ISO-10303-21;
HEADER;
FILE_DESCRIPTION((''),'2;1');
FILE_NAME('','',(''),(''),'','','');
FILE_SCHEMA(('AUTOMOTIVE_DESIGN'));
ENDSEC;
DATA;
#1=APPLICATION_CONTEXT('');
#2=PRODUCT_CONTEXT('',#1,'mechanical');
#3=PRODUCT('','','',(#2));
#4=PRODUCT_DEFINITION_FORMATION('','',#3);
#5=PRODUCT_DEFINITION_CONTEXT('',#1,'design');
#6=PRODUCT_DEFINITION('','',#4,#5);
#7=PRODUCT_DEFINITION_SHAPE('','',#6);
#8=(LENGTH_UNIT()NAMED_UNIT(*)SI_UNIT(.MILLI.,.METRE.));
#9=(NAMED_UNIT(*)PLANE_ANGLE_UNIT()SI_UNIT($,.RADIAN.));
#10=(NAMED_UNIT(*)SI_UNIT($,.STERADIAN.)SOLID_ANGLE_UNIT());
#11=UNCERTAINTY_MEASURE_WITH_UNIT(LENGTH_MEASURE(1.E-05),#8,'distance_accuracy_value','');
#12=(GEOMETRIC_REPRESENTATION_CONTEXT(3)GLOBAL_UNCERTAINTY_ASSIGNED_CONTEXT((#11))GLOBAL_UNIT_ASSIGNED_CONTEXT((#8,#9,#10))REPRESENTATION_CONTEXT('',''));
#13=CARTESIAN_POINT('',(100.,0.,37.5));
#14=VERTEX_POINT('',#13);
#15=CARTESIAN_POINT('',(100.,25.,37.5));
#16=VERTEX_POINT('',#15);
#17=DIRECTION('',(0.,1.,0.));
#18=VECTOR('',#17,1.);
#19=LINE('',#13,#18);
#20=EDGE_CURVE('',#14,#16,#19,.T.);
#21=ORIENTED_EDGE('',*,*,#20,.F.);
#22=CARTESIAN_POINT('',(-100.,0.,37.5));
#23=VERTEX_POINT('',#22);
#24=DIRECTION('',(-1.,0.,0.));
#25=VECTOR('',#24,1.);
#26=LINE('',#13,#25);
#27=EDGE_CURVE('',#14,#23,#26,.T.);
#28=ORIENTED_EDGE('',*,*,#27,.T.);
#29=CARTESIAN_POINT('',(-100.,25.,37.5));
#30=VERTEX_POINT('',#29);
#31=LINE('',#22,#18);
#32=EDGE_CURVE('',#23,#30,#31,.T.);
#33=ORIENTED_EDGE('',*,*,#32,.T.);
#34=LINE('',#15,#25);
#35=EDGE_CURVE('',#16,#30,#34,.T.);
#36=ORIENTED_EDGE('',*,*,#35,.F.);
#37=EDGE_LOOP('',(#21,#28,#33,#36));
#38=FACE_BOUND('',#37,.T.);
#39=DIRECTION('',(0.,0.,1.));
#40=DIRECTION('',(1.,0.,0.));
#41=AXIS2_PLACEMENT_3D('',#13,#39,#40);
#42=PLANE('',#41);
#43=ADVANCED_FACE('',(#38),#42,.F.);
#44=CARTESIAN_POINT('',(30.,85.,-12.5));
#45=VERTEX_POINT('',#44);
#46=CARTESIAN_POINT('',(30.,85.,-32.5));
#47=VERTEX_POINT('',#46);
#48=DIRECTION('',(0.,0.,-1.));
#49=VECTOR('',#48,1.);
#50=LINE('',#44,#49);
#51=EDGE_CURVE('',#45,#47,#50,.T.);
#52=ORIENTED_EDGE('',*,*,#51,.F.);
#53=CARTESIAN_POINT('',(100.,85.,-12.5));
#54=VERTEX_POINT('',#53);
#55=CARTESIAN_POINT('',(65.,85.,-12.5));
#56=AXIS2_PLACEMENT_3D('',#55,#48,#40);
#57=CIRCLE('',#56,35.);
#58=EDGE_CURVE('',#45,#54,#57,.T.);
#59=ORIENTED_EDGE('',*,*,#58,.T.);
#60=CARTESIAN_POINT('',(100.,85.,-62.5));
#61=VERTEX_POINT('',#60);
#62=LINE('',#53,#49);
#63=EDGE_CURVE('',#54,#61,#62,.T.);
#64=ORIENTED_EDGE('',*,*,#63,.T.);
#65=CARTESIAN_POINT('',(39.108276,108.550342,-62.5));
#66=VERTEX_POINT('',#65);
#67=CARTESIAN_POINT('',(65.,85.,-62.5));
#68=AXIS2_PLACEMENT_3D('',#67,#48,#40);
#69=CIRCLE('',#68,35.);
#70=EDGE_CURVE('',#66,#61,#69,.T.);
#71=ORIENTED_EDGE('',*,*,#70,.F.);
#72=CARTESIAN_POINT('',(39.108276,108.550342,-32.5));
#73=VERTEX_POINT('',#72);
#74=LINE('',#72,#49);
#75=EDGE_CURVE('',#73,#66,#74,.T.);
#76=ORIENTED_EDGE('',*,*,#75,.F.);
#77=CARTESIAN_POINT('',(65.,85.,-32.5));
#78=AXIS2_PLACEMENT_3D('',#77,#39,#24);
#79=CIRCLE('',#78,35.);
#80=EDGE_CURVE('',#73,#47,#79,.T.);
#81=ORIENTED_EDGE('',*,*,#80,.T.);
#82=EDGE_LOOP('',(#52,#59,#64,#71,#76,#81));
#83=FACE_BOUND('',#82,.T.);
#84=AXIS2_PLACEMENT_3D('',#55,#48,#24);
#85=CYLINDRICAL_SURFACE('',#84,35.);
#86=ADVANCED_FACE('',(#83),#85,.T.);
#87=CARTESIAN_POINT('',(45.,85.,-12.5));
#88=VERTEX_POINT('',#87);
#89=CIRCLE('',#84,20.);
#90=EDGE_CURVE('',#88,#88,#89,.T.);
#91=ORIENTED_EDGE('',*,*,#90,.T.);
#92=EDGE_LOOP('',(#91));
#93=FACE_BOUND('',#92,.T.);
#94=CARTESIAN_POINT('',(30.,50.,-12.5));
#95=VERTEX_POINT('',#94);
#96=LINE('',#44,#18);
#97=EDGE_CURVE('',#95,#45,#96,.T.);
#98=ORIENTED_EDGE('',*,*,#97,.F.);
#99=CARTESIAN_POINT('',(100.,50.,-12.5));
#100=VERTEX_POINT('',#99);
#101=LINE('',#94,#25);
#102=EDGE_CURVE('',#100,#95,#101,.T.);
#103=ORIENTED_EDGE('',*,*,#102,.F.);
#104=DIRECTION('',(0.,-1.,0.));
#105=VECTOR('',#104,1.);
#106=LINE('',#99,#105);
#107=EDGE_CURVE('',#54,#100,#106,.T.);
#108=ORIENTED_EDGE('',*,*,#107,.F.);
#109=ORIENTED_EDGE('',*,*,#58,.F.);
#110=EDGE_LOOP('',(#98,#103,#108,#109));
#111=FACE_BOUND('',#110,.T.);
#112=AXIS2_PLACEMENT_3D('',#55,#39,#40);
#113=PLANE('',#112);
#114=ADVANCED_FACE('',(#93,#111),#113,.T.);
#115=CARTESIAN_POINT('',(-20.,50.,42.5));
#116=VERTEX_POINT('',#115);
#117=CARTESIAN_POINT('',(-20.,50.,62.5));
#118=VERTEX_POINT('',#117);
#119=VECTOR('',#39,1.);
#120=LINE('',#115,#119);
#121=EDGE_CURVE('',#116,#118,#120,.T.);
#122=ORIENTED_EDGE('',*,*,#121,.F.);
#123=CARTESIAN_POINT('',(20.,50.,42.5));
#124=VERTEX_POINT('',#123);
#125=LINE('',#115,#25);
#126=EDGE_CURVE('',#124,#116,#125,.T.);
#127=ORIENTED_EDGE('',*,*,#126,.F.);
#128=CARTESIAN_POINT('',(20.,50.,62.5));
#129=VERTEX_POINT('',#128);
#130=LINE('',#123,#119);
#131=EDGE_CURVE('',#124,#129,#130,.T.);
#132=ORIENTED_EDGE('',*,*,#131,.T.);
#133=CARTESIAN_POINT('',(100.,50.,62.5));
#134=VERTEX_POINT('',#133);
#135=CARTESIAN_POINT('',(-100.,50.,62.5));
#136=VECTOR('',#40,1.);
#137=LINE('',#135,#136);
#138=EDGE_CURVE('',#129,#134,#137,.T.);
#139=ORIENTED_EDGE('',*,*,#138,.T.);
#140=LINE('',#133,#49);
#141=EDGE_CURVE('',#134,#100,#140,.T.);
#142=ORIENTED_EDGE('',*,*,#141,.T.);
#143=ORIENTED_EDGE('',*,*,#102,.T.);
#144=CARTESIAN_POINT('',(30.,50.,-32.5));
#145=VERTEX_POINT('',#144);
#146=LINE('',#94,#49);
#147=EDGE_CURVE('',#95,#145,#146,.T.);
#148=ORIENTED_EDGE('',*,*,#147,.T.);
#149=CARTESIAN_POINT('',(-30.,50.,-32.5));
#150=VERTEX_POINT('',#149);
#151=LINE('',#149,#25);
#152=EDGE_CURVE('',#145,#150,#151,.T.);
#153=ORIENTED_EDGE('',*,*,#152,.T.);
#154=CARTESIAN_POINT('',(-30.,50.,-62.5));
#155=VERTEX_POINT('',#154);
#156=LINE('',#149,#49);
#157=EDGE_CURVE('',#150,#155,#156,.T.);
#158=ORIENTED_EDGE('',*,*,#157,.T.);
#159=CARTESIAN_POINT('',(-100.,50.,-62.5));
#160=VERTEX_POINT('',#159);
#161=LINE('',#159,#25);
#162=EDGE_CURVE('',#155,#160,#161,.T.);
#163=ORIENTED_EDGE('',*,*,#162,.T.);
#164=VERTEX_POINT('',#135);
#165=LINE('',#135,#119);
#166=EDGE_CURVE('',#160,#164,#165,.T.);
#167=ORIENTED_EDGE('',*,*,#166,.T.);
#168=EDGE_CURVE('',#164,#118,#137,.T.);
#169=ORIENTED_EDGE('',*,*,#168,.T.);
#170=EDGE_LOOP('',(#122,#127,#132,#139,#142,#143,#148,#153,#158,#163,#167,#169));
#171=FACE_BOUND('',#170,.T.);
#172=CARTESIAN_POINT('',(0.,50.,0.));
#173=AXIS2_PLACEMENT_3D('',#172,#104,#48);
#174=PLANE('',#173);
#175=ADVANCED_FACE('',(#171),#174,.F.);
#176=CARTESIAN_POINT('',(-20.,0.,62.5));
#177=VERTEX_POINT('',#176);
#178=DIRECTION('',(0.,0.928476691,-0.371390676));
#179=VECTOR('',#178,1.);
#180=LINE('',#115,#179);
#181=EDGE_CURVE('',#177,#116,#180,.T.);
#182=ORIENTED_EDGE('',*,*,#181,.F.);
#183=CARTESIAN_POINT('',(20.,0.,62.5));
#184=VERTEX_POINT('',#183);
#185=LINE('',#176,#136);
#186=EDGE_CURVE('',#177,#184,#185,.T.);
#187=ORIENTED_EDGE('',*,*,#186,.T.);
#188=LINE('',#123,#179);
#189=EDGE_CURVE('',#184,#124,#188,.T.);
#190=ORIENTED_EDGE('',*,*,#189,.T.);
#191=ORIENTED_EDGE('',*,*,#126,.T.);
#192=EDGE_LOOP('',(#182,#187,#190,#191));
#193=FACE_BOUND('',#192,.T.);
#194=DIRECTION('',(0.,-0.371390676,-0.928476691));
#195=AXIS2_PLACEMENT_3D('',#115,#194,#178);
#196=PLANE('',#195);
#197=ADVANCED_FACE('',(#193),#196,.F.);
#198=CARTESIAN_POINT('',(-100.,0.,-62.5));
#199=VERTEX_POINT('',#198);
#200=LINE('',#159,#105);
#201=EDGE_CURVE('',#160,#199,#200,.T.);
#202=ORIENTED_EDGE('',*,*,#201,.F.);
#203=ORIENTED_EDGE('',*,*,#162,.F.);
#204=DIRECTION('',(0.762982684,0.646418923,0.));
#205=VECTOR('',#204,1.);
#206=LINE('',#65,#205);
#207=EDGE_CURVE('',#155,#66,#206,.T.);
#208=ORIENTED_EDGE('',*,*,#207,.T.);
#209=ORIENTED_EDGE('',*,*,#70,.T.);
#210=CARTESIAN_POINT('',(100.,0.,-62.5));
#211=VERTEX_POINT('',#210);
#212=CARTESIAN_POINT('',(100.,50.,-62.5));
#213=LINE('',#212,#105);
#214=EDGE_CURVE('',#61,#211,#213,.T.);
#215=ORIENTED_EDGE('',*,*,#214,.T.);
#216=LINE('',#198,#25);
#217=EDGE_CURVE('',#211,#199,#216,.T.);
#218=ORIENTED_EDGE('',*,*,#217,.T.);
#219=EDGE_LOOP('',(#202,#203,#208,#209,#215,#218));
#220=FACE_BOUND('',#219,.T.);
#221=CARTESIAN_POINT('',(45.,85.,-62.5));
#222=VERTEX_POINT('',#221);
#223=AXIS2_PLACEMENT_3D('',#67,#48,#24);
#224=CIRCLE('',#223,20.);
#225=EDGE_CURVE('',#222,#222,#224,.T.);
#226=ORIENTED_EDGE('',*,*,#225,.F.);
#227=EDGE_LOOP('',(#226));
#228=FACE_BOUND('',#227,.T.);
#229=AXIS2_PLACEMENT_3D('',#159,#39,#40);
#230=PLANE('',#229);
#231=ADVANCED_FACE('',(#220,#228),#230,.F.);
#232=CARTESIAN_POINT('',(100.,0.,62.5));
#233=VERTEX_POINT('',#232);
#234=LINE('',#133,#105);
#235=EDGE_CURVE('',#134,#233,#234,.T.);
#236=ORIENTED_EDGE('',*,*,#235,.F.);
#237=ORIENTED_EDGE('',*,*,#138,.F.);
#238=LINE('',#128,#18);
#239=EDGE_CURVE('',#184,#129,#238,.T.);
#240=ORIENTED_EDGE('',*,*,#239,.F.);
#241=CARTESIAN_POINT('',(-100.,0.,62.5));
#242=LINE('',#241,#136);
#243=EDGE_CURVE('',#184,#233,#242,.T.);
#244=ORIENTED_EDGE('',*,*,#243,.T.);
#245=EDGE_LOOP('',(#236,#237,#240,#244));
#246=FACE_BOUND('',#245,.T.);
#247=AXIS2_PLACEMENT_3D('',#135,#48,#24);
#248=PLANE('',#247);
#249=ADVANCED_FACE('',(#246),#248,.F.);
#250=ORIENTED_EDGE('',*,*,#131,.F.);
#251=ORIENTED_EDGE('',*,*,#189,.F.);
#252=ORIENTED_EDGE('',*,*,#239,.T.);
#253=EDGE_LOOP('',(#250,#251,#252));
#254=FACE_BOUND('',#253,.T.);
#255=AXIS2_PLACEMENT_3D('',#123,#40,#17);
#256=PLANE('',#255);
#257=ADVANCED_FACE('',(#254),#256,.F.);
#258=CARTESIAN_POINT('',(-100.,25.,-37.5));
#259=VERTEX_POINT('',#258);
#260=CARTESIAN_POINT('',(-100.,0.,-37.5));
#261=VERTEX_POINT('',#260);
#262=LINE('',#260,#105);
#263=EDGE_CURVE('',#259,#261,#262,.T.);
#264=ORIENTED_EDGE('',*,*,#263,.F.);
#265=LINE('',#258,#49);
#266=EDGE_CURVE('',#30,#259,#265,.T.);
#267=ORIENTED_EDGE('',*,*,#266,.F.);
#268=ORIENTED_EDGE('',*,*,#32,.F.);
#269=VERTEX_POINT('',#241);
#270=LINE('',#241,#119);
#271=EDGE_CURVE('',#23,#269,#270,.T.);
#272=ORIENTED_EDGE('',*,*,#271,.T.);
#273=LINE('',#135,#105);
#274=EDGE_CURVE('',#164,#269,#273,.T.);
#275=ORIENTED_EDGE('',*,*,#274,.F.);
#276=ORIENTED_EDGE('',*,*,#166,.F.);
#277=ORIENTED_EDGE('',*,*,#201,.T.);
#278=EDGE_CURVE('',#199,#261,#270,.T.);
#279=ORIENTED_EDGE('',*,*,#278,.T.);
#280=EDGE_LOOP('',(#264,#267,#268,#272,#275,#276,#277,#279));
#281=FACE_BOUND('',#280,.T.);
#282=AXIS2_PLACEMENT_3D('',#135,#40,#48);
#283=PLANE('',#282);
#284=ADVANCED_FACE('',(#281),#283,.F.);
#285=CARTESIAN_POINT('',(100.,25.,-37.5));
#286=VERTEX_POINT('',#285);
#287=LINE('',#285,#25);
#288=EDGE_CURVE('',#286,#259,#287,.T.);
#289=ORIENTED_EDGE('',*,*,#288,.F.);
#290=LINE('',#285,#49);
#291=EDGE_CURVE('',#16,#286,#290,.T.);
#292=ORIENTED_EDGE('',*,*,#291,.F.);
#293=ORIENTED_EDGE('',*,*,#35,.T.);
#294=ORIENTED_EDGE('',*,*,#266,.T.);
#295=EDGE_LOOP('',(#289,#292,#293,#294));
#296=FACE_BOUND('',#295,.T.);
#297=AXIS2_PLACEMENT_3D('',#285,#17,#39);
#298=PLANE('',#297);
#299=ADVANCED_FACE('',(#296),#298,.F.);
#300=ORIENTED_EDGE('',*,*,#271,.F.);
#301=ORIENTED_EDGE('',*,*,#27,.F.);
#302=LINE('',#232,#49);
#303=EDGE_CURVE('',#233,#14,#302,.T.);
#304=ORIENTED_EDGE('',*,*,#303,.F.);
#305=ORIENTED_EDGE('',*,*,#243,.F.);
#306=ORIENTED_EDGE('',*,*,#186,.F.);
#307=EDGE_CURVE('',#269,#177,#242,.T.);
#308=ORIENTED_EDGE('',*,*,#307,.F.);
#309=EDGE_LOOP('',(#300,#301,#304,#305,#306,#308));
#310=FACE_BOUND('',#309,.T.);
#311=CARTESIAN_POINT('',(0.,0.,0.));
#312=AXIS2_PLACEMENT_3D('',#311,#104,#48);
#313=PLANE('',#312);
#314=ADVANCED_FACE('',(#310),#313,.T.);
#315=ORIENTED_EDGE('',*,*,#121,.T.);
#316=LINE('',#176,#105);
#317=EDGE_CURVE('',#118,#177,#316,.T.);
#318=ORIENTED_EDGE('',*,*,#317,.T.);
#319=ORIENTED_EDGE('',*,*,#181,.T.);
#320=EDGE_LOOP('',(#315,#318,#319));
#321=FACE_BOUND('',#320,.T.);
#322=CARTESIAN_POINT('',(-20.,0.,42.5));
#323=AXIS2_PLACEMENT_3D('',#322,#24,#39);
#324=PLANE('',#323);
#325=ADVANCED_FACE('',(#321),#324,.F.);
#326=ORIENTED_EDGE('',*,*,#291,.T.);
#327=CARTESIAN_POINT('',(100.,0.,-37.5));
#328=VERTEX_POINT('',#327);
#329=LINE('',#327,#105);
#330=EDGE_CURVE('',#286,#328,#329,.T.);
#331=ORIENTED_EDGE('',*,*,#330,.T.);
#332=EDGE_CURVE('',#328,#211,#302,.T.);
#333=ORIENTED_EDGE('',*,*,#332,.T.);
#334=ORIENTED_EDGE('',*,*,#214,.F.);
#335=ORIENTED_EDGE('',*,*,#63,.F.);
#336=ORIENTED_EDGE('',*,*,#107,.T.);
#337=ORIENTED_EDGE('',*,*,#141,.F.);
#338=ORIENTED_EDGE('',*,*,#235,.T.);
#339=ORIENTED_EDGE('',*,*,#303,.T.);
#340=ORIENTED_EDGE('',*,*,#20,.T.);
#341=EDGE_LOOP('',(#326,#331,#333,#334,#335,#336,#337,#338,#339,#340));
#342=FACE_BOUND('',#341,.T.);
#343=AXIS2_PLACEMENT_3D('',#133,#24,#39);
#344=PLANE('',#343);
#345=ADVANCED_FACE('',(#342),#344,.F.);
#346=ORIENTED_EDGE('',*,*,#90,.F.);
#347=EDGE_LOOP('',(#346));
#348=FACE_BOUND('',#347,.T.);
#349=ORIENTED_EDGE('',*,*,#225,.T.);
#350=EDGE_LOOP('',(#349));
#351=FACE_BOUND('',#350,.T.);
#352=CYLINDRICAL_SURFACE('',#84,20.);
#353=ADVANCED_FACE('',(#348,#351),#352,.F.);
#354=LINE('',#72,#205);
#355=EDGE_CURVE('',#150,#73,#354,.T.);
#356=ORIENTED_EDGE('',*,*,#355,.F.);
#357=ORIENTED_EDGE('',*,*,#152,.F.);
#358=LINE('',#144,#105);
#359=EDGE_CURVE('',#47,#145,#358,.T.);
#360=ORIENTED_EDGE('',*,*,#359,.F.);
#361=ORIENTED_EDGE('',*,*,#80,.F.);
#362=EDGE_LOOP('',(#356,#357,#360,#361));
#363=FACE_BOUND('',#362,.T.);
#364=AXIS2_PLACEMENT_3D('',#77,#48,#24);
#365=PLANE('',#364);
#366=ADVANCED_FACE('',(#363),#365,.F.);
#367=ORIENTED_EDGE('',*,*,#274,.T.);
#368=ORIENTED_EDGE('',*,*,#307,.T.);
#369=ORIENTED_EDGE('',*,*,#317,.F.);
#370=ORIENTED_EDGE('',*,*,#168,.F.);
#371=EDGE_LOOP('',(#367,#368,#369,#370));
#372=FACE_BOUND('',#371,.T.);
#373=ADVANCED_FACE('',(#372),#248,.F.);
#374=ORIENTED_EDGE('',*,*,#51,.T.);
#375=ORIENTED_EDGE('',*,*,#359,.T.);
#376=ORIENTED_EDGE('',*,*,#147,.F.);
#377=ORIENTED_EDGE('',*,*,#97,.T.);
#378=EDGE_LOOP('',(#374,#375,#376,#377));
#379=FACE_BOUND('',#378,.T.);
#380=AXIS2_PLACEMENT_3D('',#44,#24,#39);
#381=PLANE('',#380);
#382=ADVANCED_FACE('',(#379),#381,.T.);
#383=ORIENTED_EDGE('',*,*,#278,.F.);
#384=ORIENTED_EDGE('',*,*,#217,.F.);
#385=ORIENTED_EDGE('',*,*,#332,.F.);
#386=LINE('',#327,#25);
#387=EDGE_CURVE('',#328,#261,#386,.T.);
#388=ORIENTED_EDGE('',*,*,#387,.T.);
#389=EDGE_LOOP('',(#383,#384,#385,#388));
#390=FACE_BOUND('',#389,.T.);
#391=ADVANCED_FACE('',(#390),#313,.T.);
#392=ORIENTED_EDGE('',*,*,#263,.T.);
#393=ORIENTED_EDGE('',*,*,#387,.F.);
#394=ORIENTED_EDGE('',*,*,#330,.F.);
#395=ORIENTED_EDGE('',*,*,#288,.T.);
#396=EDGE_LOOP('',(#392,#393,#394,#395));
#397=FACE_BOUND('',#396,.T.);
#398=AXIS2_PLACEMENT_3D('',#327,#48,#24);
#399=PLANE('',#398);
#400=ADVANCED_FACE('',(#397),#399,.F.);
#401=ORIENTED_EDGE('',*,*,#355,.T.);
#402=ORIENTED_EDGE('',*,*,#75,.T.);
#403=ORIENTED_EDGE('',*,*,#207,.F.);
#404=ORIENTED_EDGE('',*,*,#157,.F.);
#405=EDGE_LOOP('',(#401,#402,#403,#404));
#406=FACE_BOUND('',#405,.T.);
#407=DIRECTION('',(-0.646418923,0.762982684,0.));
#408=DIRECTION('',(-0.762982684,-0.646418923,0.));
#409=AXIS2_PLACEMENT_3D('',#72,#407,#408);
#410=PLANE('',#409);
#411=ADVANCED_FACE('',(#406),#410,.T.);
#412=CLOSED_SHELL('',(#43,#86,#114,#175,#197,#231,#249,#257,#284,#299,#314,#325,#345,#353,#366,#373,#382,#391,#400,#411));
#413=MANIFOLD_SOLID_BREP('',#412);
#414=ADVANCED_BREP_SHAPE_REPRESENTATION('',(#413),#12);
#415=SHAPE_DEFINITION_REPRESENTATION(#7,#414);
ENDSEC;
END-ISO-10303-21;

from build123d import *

# Parameters (mm, degrees)
SKETCH1_W           = 200
SKETCH1_H           = 125
BOSS_EXTRUDE2_DEPTH = 50
SKETCH3_R           = 20
BOSS_EXTRUDE5_DEPTH = 50
SKETCH6_W           = 75
SKETCH6_H           = 25
CUT_EXTRUDE1_DEPTH  = 242.466871434
BOSS_EXTRUDE6_DEPTH = 30
SKETCH8_W           = 40
SKETCH8_H           = 50
CUT_EXTRUDE2_DEPTH  = 20
BOSS_EXTRUDE7_DEPTH = 40


with BuildPart() as part:
    # Sketch1 → Boss-Extrude2 (new body)
    with BuildSketch(Plane(origin=(0, 0, 0), x_dir=(1, 0, 0), z_dir=(0, 1, 0))):
        Rectangle(SKETCH1_W, SKETCH1_H)
    extrude(amount=BOSS_EXTRUDE2_DEPTH)

    # Sketch3 → Boss-Extrude5 (add)
    with BuildSketch(Plane(origin=(0, 0, -62.5), x_dir=(-1, 0, 0), z_dir=(0, 0, -1))):
        with BuildLine():
            Line((-100, 50), (-100, 85))
            ThreePointArc((-100, 85), (-65, 120), (-30, 85))
            Line((-30, 85), (-30, 50))
            Line((-30, 50), (-100, 50))
        make_face()
        with Locations((-65, 85)):
            Circle(SKETCH3_R, mode=Mode.SUBTRACT)
    extrude(amount=-BOSS_EXTRUDE5_DEPTH)

    # Sketch6 → Cut-Extrude1 (cut, through all)
    with BuildSketch(Plane.ZY.offset(100)):
        with Locations((0, 12.5)):
            Rectangle(SKETCH6_W, SKETCH6_H)
    extrude(amount=-CUT_EXTRUDE1_DEPTH, mode=Mode.SUBTRACT)

    # Sketch7 → Boss-Extrude6 (add)
    with BuildSketch(Plane(origin=(0, 0, -62.5), x_dir=(-1, 0, 0), z_dir=(0, 0, -1))):
        with BuildLine():
            Line((-39.10827581, 108.550342215), (30, 50))
            Line((30, 50), (-30, 50))
            Line((-30, 50), (-30, 85))
            ThreePointArc((-30, 85), (-32.356391539, 97.625166402), (-39.10827581, 108.550342215))
        make_face()
    extrude(amount=-BOSS_EXTRUDE6_DEPTH)

    # Sketch8 → Cut-Extrude2 (cut)
    with BuildSketch(Plane.XY.offset(62.5)):
        with Locations((0, 25)):
            Rectangle(SKETCH8_W, SKETCH8_H)
    extrude(amount=-CUT_EXTRUDE2_DEPTH, mode=Mode.SUBTRACT)

    # Sketch9 → Boss-Extrude7 (add)
    with BuildSketch(Plane.ZY.offset(-20)):
        Polygon((42.5, 50), (62.5, 0), (42.5, 0), align=None)
    extrude(amount=BOSS_EXTRUDE7_DEPTH)


solid = part.part
